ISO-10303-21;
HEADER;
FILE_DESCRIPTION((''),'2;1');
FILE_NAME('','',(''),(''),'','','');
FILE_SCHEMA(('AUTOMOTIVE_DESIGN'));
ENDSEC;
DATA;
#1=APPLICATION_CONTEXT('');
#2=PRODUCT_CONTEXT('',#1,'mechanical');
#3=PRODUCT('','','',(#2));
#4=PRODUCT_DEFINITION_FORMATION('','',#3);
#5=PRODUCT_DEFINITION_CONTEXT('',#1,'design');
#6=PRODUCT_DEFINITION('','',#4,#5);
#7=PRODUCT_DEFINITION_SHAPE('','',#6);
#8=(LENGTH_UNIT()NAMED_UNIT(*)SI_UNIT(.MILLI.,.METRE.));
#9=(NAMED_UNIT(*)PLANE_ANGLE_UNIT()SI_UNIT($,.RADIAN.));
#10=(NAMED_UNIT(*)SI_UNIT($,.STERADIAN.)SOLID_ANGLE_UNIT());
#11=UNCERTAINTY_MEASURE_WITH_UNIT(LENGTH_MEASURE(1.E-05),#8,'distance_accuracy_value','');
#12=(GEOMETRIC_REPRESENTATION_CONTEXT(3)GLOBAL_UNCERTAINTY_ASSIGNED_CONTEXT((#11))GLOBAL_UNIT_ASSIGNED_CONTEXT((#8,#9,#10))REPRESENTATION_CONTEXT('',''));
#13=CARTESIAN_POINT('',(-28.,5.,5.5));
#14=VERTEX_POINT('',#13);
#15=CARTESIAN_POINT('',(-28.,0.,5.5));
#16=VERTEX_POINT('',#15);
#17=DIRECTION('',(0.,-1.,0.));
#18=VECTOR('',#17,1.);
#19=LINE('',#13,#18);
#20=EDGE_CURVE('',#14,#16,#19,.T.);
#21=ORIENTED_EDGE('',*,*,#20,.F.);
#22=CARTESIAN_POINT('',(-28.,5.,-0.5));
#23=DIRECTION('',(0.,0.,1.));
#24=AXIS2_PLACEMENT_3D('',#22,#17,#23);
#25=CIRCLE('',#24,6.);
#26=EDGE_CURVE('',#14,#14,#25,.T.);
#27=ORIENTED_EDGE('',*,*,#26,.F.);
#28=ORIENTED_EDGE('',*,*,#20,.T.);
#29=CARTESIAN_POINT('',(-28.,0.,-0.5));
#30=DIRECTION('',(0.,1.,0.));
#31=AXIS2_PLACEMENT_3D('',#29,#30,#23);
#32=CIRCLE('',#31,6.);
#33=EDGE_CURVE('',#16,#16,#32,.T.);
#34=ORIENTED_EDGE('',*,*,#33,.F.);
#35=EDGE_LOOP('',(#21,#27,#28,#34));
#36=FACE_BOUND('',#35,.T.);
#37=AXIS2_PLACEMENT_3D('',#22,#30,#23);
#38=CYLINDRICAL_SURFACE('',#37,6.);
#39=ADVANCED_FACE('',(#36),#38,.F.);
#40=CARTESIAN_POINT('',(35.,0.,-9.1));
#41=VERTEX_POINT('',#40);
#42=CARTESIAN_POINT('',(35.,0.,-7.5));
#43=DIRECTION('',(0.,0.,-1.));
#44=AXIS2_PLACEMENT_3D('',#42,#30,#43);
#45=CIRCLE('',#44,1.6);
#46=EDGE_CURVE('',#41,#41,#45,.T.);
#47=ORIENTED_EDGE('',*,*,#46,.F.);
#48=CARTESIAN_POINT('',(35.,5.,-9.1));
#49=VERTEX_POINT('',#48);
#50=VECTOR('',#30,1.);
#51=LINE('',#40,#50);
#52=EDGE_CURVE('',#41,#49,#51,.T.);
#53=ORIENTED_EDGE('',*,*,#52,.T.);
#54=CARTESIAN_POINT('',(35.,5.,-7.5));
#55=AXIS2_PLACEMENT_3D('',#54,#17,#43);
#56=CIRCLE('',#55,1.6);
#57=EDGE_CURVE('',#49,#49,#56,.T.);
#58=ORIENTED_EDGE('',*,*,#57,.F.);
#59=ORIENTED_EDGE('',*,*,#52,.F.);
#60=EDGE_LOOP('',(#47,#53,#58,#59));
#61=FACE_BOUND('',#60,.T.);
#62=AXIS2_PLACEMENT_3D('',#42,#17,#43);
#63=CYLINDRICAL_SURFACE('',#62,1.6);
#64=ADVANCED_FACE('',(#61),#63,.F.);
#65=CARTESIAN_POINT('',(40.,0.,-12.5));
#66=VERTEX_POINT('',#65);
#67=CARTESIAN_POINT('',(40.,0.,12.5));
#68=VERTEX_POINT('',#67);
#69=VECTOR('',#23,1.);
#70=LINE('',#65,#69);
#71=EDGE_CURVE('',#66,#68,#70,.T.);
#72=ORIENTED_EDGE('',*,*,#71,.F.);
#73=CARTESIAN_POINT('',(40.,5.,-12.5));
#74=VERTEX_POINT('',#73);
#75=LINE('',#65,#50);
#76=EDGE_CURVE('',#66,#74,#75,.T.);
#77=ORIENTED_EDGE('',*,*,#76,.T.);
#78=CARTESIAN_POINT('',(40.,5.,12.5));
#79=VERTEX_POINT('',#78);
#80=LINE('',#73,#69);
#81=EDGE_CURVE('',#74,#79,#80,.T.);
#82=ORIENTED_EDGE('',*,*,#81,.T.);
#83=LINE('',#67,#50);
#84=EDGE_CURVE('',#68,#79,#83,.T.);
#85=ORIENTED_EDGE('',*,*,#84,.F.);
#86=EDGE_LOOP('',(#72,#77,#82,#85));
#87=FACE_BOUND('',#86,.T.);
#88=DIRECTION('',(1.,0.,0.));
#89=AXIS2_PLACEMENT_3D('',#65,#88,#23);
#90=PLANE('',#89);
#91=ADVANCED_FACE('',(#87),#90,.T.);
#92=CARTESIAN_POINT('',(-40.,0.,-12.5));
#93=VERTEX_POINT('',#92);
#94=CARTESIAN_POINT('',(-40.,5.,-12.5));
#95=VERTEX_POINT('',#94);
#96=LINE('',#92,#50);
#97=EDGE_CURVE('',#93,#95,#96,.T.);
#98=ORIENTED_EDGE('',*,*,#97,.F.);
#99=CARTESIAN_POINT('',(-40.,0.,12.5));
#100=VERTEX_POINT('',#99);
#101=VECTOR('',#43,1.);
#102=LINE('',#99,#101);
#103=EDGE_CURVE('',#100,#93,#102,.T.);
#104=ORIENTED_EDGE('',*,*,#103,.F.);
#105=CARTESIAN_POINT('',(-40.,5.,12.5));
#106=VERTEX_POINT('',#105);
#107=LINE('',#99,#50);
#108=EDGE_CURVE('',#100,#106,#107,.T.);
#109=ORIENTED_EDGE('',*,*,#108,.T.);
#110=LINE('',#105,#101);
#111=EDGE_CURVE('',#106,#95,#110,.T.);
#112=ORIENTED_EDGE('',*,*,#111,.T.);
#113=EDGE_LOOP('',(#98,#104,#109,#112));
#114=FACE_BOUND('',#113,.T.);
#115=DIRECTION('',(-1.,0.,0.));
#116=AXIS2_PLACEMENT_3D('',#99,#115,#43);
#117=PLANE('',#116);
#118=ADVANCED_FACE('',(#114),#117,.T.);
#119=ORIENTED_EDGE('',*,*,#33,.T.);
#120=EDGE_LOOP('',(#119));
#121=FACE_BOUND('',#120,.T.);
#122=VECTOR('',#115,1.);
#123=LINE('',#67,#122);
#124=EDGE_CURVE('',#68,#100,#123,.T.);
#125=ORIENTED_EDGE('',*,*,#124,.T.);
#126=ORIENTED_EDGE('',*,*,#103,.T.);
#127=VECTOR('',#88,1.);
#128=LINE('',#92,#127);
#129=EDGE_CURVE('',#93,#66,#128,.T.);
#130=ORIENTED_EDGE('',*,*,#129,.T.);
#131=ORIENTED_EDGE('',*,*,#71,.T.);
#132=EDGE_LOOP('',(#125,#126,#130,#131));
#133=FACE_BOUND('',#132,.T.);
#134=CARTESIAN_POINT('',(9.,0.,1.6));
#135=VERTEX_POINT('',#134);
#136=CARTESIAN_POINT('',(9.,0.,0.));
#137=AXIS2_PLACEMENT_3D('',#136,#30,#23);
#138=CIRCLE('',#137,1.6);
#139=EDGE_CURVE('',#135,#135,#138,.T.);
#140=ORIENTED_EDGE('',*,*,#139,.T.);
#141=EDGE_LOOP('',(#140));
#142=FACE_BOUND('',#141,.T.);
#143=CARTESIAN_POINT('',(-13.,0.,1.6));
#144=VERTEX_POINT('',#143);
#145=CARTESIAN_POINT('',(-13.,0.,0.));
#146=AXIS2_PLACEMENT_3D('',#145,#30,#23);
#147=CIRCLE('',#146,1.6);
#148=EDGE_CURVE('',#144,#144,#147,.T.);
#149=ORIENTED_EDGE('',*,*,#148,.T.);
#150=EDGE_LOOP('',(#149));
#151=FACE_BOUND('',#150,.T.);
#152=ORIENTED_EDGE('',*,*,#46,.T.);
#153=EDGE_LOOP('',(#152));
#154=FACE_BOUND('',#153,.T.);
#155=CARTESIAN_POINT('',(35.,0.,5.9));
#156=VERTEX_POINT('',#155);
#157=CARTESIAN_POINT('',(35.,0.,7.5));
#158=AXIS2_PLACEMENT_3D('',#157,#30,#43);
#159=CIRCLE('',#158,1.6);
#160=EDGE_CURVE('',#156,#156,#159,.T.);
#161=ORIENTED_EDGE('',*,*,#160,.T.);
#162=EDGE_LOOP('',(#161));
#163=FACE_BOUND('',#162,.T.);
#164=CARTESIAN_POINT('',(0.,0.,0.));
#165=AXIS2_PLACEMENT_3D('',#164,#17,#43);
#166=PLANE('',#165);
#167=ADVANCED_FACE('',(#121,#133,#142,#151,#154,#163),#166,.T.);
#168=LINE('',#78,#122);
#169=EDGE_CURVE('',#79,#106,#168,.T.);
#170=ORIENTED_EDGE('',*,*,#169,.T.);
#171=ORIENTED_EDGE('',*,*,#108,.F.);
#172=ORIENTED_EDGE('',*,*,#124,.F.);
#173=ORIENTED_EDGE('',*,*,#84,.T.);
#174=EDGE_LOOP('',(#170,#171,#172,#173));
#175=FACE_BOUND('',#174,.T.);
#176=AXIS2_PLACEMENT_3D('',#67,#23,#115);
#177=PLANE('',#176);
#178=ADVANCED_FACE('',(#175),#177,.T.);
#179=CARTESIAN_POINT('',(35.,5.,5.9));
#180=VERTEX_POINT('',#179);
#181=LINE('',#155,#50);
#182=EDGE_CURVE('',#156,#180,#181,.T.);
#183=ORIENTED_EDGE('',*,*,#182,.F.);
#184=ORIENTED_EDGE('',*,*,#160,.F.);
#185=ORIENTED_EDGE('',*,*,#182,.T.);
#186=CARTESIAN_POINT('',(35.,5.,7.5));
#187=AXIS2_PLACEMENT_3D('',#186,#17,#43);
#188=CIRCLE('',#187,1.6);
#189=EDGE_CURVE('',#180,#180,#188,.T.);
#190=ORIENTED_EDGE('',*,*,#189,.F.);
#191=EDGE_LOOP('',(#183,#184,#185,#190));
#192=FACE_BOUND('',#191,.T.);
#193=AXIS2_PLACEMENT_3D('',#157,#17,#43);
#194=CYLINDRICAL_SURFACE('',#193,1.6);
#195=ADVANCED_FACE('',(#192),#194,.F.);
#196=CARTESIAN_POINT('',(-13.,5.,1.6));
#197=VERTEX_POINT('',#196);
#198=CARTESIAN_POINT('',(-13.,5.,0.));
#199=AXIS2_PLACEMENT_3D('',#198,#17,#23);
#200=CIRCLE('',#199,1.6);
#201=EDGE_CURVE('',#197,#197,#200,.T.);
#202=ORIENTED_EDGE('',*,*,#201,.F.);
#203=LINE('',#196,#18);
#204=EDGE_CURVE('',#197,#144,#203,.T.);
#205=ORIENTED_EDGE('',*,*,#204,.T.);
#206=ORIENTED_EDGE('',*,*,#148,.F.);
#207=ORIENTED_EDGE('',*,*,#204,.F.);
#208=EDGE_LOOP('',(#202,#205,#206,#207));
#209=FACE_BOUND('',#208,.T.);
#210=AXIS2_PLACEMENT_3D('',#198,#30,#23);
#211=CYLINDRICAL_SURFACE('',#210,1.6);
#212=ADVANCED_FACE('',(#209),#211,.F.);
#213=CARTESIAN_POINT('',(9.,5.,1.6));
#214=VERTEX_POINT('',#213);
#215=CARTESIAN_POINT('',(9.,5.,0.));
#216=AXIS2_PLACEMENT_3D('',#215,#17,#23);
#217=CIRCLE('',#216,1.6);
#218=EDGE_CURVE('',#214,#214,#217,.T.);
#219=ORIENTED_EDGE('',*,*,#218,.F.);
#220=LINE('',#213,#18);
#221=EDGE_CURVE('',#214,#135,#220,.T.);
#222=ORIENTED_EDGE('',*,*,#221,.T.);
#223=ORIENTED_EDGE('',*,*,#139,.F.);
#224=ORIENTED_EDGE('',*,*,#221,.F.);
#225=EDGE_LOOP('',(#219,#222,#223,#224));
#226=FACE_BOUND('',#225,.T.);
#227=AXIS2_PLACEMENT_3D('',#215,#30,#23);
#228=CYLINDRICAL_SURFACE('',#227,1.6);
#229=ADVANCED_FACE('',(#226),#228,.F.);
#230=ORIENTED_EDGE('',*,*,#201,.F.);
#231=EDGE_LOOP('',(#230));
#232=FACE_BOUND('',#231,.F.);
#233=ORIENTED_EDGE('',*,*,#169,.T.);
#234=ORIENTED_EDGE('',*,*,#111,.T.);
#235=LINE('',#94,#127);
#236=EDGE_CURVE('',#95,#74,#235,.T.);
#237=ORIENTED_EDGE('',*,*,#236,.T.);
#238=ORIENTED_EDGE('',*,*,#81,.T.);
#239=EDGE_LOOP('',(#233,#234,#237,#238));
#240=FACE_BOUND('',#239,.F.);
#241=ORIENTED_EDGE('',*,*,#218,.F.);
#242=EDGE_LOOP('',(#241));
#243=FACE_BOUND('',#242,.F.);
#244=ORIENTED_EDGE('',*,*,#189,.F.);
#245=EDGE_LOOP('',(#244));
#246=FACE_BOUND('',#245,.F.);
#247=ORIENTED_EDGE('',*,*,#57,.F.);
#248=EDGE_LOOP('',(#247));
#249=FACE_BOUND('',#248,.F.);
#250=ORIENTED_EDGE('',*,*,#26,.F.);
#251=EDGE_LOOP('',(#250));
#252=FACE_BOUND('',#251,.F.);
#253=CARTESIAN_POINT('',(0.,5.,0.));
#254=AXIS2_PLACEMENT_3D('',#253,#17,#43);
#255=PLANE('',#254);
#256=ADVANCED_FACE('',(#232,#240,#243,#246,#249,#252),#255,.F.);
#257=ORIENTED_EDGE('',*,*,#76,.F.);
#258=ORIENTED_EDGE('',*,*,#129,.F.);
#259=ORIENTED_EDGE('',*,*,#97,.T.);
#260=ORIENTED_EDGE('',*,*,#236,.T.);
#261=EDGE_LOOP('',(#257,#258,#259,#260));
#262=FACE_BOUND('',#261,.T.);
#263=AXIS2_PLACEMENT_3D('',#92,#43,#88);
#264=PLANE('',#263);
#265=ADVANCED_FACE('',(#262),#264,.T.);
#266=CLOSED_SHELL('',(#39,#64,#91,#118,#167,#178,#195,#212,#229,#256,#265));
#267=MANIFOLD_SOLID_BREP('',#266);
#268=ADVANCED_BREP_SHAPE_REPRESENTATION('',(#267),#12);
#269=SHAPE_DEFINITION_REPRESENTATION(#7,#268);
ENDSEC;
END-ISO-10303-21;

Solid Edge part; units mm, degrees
sketch "Sketch1" plane through (0, 0, 0) normal (0, 1, 0) x (-1, 0, 0)
  line L0 (40, -12.5) -> (-40, -12.5)
  line L1 (-40, -12.5) -> (-40, 12.5)
  line L2 (-40, 12.5) -> (40, 12.5)
  line L3 (40, 12.5) -> (40, -12.5)
  dimension "D1" = 80
  dimension "D2" = 25
extrude "Protrusion1" add sketch "Sketch1" along normal blind 5
hole "Hole_5" at (-28, 5, -0.5) direction (0, -1, 0) diameter 12 end through all
hole "Hole_15" at (35, 0, 7.5) direction (0, 1, 0) diameter 3.2 end through all
hole "Hole1" at (35, 0, -7.5) direction (0, 1, 0) diameter 3.2 end through all
hole "Hole_17" at (-13, 5, 0) direction (0, -1, 0) diameter 3.2 end up to next
hole "Hole2" at (9, 5, 0) direction (0, -1, 0) diameter 3.2 end up to next
properties material "アルミニウム, 5050"
